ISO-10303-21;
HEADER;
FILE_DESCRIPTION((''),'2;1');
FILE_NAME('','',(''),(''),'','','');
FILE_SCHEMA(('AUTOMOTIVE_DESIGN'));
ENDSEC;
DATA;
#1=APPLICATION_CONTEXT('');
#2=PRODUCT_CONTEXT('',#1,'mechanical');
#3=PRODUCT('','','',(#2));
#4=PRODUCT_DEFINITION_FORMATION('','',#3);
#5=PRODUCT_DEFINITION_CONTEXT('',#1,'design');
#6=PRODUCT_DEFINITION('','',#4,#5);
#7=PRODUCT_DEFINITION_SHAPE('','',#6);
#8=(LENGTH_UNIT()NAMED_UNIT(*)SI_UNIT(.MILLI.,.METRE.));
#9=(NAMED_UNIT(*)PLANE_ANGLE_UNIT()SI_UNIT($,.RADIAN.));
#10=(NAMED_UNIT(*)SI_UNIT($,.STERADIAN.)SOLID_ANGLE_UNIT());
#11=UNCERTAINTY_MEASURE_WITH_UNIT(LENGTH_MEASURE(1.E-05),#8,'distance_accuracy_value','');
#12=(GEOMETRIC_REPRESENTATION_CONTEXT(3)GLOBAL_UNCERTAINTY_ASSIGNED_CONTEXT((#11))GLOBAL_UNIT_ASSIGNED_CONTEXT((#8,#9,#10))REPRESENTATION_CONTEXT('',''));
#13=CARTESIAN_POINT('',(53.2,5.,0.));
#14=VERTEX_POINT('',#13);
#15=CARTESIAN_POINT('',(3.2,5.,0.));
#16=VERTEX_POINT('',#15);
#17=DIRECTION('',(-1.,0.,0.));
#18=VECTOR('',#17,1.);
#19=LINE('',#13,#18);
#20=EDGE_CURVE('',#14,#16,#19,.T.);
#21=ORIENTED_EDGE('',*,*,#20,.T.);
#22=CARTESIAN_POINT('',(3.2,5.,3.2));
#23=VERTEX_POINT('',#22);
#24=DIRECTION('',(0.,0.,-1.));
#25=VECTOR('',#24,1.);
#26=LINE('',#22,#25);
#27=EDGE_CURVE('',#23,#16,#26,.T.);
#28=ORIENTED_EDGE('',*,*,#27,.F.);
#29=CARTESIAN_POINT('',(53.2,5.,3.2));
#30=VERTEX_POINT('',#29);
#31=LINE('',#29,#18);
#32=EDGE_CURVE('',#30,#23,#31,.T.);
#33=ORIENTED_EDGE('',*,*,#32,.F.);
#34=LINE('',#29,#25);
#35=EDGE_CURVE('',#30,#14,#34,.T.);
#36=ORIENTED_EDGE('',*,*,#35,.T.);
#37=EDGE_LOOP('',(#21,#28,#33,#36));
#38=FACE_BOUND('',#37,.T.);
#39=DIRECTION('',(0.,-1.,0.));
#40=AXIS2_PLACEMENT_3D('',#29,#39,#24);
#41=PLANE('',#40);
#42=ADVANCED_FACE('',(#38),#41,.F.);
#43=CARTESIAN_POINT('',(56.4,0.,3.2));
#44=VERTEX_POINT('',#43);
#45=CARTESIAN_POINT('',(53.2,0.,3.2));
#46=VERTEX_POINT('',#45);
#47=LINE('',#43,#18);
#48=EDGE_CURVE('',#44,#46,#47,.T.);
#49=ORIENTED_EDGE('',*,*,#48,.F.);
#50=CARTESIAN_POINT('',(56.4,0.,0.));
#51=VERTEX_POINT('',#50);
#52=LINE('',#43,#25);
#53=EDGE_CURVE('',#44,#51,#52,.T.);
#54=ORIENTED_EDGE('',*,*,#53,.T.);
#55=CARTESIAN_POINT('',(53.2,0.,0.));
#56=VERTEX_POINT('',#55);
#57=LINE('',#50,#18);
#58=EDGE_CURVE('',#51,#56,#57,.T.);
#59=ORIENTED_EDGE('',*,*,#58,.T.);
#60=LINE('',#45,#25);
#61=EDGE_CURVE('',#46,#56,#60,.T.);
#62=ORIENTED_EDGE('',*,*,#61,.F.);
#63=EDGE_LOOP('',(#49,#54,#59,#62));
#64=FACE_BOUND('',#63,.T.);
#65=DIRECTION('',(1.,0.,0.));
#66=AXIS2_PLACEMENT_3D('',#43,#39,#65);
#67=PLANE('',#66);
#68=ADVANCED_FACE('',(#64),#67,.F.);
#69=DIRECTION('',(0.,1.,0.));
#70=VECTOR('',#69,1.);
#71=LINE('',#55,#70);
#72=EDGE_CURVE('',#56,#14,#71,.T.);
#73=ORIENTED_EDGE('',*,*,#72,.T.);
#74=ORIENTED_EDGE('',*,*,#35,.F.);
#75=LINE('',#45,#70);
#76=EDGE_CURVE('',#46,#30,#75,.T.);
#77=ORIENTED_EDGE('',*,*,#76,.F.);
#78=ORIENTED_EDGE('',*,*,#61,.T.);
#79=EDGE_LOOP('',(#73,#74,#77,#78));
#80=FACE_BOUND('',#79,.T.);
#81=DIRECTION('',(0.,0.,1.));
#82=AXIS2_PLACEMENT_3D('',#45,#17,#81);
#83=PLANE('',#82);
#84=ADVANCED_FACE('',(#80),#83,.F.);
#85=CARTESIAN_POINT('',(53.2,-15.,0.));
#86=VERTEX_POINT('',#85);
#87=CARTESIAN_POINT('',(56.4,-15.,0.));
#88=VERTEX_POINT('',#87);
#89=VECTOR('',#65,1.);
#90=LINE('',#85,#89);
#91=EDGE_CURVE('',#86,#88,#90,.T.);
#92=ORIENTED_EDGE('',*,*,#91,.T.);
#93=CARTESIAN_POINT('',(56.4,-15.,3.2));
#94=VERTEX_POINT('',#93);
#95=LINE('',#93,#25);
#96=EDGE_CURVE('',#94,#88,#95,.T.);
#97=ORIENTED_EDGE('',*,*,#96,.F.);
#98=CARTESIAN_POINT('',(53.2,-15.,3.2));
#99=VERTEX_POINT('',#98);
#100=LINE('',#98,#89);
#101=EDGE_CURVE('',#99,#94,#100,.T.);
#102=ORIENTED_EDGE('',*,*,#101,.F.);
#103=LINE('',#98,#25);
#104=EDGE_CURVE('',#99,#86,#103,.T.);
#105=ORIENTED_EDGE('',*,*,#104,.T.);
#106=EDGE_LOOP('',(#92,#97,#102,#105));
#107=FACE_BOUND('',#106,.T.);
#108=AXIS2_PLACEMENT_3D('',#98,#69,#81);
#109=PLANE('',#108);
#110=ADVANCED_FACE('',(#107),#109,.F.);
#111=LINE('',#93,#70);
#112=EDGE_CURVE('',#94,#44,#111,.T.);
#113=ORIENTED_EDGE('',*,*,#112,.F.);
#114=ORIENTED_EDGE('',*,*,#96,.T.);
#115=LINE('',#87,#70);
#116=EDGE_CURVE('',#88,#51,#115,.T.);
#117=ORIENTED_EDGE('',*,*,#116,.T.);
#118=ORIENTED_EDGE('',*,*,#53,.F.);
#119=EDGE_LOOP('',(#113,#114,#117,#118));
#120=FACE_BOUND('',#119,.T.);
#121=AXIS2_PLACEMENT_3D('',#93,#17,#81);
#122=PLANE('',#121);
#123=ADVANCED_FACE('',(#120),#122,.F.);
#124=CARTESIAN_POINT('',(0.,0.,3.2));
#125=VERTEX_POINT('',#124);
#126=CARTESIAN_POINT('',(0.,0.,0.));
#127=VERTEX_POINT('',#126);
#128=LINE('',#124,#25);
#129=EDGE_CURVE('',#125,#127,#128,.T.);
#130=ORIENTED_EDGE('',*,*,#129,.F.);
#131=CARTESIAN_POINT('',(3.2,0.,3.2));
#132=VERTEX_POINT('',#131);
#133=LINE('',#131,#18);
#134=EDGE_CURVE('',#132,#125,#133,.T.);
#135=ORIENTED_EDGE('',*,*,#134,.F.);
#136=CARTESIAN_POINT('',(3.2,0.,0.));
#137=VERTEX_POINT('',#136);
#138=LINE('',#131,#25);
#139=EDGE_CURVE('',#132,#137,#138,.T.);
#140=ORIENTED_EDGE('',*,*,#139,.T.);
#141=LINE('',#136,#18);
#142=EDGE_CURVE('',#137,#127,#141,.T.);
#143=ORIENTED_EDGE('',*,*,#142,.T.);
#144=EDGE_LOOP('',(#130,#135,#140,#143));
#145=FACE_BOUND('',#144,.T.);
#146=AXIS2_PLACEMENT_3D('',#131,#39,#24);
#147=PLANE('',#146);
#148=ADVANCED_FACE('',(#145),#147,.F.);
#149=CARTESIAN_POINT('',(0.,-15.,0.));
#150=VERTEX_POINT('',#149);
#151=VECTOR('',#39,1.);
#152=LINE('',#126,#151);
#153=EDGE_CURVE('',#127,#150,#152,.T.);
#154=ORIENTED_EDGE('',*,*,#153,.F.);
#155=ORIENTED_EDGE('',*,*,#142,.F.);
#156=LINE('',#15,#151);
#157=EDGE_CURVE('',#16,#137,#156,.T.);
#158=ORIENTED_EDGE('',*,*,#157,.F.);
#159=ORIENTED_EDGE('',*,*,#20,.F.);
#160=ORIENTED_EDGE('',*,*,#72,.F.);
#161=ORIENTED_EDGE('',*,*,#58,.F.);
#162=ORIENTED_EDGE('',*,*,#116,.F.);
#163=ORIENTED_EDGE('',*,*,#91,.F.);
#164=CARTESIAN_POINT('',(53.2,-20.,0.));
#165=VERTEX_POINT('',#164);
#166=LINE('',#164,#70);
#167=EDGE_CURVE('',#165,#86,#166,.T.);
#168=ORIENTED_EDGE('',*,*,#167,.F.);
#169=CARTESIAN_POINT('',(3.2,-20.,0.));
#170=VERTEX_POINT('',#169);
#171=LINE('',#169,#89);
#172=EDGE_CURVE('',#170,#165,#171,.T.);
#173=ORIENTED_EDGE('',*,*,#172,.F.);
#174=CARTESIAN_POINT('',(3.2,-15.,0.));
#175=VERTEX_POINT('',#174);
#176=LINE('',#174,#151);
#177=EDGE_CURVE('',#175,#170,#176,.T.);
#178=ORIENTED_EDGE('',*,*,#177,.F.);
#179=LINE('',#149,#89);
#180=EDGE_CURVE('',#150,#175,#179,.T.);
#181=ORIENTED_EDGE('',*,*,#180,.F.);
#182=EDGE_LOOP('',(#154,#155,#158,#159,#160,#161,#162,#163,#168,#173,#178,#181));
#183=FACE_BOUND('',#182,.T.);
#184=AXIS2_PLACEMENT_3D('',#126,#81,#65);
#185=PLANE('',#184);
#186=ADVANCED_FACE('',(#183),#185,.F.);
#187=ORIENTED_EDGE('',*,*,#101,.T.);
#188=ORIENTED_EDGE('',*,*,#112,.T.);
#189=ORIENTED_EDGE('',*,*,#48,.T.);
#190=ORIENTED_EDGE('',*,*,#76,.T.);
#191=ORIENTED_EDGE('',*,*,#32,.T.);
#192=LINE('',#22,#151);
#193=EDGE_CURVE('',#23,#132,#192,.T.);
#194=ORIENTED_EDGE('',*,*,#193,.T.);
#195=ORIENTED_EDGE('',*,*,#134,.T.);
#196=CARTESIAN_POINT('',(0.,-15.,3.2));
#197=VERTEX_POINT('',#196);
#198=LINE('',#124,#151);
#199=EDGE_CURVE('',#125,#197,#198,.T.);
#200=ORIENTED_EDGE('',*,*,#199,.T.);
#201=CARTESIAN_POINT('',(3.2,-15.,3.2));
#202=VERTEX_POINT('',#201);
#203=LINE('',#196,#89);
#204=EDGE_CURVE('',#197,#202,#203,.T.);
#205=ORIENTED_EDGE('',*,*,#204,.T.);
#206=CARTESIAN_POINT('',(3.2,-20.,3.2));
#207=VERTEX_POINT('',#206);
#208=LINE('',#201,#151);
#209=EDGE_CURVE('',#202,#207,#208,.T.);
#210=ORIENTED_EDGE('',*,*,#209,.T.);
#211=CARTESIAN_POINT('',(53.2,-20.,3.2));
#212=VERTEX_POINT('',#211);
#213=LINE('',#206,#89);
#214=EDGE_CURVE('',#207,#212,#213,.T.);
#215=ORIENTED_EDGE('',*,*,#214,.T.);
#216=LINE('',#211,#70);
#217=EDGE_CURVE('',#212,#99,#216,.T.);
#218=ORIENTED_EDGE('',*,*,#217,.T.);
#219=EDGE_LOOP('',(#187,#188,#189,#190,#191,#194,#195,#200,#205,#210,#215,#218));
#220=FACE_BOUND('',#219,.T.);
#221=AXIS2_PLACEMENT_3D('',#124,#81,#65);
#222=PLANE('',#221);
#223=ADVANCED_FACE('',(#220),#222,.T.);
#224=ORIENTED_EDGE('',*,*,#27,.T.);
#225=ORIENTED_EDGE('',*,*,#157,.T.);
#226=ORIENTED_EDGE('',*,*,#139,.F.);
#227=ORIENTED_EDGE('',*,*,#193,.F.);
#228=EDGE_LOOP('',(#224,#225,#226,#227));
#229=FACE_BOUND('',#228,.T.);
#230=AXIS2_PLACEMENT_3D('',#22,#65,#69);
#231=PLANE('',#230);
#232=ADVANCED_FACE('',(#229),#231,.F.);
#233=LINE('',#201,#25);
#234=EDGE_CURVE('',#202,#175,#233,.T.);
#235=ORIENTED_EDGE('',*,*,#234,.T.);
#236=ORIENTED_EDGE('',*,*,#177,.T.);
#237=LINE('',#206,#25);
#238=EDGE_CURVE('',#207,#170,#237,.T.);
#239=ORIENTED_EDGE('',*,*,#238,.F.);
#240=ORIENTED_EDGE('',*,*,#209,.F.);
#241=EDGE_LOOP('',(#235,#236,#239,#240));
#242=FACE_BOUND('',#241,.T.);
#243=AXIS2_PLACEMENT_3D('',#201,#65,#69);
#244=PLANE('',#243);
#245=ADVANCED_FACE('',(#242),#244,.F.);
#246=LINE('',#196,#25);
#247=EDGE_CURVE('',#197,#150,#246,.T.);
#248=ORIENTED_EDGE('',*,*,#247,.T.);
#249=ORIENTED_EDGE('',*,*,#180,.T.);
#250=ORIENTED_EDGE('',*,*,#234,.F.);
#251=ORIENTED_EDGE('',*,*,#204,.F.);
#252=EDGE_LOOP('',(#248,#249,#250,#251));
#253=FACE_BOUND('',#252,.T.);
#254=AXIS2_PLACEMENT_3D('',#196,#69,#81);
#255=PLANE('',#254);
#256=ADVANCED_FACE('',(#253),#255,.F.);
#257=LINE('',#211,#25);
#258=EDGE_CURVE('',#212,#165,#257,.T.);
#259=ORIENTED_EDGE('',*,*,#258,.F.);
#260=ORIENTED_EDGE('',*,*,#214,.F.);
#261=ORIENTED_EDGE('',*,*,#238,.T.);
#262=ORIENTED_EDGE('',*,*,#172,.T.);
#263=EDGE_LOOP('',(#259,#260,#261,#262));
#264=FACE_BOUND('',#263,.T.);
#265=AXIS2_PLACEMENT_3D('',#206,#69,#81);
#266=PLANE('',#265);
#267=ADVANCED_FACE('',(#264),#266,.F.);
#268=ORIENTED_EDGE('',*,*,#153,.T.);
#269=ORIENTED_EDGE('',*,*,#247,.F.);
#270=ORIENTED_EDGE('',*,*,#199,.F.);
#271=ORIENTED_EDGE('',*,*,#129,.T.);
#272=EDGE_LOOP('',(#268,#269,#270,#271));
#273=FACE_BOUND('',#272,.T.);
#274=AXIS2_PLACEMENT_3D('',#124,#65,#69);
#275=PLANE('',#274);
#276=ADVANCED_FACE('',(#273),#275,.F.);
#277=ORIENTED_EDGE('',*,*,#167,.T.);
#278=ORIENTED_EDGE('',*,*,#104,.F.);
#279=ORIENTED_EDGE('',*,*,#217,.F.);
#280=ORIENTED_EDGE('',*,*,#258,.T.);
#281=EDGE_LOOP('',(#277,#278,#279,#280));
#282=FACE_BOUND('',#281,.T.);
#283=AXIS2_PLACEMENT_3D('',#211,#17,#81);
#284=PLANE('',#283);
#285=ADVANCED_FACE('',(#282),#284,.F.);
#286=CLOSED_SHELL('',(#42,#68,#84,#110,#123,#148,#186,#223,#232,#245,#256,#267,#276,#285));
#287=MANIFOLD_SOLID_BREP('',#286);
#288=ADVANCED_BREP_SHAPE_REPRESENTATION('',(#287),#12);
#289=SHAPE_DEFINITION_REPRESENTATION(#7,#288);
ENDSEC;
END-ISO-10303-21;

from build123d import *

# Parameters (mm, degrees)
BOSS_EXTRUDE1_DEPTH = 3.2


with BuildPart() as part:
    # Sketch1 → Boss-Extrude1 (new body)
    with BuildSketch(Plane.XY):
        Polygon((0, 0), (0, -15), (3.2, -15), (3.2, -20), (53.2, -20), (53.2, -15), (56.4, -15), (56.4, 0), (53.2, 0), (53.2, 5), (3.2, 5), (3.2, 0), align=None)
    extrude(amount=BOSS_EXTRUDE1_DEPTH)


solid = part.part
